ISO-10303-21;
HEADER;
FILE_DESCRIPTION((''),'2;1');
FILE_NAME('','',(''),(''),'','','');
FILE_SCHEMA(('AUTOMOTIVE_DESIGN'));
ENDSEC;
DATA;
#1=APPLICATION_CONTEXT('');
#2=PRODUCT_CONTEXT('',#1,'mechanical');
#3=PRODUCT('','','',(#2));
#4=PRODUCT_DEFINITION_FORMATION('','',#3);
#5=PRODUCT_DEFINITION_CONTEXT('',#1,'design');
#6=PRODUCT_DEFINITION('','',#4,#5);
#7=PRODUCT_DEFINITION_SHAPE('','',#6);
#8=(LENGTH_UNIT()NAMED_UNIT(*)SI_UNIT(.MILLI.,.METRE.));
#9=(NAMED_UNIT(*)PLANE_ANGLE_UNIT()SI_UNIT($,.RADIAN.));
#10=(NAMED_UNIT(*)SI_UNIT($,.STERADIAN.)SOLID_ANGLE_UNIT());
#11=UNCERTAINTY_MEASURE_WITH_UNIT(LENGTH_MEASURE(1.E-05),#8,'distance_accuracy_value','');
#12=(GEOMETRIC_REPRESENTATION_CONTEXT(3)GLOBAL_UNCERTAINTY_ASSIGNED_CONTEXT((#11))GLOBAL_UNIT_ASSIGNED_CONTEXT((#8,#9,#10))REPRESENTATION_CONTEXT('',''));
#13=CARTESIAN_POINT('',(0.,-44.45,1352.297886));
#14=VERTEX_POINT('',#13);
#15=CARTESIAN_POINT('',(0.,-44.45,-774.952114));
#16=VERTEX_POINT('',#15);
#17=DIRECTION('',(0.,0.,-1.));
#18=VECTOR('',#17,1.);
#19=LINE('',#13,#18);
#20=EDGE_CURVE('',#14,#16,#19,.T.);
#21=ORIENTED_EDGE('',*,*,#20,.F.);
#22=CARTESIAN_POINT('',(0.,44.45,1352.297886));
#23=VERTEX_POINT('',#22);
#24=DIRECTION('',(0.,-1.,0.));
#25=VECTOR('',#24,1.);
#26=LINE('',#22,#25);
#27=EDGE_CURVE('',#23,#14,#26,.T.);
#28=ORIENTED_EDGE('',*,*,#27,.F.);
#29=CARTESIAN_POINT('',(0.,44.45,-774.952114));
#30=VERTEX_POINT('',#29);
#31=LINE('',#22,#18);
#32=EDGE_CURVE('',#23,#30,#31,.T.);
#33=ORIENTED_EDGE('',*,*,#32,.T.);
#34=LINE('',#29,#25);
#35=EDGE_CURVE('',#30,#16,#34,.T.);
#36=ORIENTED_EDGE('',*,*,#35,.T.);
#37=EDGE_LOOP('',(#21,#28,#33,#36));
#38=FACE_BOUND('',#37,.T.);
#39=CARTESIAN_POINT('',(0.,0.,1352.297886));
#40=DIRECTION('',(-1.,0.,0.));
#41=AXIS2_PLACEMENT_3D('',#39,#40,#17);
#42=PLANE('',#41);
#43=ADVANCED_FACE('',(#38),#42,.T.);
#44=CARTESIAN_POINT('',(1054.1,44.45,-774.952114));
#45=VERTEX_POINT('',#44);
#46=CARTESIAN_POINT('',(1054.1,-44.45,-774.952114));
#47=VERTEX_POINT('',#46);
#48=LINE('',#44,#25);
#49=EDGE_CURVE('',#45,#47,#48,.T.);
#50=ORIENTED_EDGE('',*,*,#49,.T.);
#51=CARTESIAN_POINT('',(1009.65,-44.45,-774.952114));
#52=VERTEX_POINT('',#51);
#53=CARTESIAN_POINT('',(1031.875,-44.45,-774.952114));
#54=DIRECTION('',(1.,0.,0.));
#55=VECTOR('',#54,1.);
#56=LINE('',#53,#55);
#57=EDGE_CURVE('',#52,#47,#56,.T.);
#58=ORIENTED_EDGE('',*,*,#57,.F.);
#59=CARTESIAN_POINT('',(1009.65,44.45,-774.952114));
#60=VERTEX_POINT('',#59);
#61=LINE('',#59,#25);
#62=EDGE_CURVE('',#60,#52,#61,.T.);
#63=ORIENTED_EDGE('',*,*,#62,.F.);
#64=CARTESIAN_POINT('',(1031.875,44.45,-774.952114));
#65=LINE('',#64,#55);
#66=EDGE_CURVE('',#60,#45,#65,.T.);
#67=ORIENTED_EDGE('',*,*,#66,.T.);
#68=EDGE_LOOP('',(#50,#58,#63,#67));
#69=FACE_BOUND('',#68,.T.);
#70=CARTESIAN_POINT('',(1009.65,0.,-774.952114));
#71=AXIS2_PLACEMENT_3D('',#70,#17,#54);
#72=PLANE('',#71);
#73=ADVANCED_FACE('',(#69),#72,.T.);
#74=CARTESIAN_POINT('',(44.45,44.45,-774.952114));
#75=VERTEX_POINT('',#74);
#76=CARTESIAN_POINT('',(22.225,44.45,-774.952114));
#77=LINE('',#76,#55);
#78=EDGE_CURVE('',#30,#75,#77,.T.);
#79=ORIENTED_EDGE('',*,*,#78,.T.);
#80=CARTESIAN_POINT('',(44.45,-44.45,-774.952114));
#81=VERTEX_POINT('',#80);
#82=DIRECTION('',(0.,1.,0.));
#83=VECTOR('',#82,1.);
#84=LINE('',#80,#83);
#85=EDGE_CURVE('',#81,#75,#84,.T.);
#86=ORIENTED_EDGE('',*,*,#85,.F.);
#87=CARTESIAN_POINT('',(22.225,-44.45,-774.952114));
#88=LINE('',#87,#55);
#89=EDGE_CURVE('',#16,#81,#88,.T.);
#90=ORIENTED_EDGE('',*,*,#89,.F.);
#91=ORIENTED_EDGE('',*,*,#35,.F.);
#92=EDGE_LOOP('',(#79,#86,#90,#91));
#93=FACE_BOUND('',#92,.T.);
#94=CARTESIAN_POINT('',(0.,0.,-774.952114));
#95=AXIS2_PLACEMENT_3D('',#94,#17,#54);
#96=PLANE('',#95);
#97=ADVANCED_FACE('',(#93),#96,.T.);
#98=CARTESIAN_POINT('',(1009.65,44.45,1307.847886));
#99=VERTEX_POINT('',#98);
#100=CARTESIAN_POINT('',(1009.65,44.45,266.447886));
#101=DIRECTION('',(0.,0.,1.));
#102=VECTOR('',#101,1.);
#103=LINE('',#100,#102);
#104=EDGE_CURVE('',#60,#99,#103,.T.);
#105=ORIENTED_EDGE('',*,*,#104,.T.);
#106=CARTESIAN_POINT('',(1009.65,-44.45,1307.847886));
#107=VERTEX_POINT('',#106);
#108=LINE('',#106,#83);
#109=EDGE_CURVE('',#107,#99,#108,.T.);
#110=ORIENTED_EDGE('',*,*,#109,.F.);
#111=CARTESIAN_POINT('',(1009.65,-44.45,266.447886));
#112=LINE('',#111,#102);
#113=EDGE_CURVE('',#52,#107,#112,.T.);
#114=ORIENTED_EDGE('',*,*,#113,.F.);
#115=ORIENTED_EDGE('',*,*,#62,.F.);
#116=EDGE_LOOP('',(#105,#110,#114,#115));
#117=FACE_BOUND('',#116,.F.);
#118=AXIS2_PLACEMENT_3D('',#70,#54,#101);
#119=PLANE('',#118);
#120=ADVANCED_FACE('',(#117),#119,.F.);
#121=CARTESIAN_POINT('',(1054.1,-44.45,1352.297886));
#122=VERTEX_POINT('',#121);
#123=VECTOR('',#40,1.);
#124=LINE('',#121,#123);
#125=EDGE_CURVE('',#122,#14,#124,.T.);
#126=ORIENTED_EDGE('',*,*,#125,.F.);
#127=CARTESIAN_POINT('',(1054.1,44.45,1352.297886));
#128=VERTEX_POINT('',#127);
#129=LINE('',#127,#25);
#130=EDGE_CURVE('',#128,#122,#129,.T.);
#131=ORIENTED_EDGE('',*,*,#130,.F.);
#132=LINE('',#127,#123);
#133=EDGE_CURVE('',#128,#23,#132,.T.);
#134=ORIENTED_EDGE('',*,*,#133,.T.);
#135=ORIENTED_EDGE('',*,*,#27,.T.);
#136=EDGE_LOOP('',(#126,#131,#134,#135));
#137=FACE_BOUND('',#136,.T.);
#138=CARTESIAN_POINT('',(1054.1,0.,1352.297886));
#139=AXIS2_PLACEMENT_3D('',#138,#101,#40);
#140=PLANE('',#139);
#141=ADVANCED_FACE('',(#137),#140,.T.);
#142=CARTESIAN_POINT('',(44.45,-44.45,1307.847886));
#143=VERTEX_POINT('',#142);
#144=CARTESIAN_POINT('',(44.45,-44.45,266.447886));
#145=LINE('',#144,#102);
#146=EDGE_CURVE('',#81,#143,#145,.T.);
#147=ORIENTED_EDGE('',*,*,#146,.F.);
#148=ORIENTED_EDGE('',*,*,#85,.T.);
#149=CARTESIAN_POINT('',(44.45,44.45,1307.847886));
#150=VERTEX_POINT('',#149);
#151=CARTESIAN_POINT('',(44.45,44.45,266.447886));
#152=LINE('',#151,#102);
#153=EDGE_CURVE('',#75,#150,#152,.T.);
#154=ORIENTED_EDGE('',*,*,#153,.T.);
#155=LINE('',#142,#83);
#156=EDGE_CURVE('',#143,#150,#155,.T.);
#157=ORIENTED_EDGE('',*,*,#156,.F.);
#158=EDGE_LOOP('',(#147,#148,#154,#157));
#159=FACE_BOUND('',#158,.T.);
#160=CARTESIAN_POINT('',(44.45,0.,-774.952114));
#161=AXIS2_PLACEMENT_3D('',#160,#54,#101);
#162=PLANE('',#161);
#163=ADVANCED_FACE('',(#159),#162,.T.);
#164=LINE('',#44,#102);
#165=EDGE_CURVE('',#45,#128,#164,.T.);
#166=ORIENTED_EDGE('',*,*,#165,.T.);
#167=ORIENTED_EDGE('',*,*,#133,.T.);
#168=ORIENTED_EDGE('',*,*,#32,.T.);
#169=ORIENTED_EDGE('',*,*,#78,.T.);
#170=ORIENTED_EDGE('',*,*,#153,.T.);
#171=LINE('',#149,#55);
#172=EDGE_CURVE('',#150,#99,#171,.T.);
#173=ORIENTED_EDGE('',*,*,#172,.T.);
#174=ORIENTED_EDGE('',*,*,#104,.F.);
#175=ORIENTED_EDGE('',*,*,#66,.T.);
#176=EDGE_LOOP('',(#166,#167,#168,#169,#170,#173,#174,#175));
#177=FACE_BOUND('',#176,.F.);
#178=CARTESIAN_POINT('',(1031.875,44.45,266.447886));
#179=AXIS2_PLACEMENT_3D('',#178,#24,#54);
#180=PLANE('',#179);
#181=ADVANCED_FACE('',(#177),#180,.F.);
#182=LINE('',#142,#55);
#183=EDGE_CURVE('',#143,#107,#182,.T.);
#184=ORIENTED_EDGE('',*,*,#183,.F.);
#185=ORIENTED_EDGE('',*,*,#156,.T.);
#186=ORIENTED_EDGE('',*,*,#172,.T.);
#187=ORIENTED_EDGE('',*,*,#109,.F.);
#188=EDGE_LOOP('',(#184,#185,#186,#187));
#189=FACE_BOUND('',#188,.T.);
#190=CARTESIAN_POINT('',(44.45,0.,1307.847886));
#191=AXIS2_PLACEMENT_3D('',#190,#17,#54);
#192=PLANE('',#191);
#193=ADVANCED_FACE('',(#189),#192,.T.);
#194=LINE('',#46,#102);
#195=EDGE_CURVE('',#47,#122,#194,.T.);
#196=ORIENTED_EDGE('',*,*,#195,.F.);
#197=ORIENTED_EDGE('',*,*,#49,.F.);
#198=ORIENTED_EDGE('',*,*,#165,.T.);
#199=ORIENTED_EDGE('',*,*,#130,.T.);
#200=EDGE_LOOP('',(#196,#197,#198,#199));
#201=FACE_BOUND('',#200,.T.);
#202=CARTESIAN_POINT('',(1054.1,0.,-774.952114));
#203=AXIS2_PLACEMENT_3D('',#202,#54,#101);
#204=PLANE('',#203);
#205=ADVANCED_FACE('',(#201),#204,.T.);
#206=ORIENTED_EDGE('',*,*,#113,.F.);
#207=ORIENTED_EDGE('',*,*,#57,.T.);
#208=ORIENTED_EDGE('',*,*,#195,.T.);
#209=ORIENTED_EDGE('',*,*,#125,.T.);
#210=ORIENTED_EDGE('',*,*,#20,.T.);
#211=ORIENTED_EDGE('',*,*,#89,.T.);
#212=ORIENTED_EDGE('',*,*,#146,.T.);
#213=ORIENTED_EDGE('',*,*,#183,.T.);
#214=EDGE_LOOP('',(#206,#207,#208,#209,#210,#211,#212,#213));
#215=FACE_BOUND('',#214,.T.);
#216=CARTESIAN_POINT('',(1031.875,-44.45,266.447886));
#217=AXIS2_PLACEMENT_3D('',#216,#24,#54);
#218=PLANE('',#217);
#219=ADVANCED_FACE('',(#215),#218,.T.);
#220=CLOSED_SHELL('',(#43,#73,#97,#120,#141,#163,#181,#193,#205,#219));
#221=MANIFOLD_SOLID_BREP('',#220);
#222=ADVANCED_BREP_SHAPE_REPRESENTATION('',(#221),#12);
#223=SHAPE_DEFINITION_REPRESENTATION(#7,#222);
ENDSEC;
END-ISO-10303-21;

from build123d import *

# Parameters (mm, degrees)
F0_W     = 44.45
F0_H     = 2082.8
F1_DEPTH = 44.45


with BuildPart() as f1:
    # F0 (on Front) → F1 (new body, symmetric)
    with BuildSketch(Plane.XZ):
        with Locations((1031.875, 266.447886)):
            Rectangle(F0_W, F0_H)
        with Locations((22.225, 266.447886)):
            Rectangle(F0_W, F0_H)
        Polygon((0, 1307.847886), (44.45, 1307.847886), (1009.65, 1307.847886), (1054.1, 1307.847886), (1054.1, 1352.297886), (527.05, 1352.297886), (0, 1352.297886), align=None)
    extrude(amount=F1_DEPTH, both=True)


solid = f1.part
